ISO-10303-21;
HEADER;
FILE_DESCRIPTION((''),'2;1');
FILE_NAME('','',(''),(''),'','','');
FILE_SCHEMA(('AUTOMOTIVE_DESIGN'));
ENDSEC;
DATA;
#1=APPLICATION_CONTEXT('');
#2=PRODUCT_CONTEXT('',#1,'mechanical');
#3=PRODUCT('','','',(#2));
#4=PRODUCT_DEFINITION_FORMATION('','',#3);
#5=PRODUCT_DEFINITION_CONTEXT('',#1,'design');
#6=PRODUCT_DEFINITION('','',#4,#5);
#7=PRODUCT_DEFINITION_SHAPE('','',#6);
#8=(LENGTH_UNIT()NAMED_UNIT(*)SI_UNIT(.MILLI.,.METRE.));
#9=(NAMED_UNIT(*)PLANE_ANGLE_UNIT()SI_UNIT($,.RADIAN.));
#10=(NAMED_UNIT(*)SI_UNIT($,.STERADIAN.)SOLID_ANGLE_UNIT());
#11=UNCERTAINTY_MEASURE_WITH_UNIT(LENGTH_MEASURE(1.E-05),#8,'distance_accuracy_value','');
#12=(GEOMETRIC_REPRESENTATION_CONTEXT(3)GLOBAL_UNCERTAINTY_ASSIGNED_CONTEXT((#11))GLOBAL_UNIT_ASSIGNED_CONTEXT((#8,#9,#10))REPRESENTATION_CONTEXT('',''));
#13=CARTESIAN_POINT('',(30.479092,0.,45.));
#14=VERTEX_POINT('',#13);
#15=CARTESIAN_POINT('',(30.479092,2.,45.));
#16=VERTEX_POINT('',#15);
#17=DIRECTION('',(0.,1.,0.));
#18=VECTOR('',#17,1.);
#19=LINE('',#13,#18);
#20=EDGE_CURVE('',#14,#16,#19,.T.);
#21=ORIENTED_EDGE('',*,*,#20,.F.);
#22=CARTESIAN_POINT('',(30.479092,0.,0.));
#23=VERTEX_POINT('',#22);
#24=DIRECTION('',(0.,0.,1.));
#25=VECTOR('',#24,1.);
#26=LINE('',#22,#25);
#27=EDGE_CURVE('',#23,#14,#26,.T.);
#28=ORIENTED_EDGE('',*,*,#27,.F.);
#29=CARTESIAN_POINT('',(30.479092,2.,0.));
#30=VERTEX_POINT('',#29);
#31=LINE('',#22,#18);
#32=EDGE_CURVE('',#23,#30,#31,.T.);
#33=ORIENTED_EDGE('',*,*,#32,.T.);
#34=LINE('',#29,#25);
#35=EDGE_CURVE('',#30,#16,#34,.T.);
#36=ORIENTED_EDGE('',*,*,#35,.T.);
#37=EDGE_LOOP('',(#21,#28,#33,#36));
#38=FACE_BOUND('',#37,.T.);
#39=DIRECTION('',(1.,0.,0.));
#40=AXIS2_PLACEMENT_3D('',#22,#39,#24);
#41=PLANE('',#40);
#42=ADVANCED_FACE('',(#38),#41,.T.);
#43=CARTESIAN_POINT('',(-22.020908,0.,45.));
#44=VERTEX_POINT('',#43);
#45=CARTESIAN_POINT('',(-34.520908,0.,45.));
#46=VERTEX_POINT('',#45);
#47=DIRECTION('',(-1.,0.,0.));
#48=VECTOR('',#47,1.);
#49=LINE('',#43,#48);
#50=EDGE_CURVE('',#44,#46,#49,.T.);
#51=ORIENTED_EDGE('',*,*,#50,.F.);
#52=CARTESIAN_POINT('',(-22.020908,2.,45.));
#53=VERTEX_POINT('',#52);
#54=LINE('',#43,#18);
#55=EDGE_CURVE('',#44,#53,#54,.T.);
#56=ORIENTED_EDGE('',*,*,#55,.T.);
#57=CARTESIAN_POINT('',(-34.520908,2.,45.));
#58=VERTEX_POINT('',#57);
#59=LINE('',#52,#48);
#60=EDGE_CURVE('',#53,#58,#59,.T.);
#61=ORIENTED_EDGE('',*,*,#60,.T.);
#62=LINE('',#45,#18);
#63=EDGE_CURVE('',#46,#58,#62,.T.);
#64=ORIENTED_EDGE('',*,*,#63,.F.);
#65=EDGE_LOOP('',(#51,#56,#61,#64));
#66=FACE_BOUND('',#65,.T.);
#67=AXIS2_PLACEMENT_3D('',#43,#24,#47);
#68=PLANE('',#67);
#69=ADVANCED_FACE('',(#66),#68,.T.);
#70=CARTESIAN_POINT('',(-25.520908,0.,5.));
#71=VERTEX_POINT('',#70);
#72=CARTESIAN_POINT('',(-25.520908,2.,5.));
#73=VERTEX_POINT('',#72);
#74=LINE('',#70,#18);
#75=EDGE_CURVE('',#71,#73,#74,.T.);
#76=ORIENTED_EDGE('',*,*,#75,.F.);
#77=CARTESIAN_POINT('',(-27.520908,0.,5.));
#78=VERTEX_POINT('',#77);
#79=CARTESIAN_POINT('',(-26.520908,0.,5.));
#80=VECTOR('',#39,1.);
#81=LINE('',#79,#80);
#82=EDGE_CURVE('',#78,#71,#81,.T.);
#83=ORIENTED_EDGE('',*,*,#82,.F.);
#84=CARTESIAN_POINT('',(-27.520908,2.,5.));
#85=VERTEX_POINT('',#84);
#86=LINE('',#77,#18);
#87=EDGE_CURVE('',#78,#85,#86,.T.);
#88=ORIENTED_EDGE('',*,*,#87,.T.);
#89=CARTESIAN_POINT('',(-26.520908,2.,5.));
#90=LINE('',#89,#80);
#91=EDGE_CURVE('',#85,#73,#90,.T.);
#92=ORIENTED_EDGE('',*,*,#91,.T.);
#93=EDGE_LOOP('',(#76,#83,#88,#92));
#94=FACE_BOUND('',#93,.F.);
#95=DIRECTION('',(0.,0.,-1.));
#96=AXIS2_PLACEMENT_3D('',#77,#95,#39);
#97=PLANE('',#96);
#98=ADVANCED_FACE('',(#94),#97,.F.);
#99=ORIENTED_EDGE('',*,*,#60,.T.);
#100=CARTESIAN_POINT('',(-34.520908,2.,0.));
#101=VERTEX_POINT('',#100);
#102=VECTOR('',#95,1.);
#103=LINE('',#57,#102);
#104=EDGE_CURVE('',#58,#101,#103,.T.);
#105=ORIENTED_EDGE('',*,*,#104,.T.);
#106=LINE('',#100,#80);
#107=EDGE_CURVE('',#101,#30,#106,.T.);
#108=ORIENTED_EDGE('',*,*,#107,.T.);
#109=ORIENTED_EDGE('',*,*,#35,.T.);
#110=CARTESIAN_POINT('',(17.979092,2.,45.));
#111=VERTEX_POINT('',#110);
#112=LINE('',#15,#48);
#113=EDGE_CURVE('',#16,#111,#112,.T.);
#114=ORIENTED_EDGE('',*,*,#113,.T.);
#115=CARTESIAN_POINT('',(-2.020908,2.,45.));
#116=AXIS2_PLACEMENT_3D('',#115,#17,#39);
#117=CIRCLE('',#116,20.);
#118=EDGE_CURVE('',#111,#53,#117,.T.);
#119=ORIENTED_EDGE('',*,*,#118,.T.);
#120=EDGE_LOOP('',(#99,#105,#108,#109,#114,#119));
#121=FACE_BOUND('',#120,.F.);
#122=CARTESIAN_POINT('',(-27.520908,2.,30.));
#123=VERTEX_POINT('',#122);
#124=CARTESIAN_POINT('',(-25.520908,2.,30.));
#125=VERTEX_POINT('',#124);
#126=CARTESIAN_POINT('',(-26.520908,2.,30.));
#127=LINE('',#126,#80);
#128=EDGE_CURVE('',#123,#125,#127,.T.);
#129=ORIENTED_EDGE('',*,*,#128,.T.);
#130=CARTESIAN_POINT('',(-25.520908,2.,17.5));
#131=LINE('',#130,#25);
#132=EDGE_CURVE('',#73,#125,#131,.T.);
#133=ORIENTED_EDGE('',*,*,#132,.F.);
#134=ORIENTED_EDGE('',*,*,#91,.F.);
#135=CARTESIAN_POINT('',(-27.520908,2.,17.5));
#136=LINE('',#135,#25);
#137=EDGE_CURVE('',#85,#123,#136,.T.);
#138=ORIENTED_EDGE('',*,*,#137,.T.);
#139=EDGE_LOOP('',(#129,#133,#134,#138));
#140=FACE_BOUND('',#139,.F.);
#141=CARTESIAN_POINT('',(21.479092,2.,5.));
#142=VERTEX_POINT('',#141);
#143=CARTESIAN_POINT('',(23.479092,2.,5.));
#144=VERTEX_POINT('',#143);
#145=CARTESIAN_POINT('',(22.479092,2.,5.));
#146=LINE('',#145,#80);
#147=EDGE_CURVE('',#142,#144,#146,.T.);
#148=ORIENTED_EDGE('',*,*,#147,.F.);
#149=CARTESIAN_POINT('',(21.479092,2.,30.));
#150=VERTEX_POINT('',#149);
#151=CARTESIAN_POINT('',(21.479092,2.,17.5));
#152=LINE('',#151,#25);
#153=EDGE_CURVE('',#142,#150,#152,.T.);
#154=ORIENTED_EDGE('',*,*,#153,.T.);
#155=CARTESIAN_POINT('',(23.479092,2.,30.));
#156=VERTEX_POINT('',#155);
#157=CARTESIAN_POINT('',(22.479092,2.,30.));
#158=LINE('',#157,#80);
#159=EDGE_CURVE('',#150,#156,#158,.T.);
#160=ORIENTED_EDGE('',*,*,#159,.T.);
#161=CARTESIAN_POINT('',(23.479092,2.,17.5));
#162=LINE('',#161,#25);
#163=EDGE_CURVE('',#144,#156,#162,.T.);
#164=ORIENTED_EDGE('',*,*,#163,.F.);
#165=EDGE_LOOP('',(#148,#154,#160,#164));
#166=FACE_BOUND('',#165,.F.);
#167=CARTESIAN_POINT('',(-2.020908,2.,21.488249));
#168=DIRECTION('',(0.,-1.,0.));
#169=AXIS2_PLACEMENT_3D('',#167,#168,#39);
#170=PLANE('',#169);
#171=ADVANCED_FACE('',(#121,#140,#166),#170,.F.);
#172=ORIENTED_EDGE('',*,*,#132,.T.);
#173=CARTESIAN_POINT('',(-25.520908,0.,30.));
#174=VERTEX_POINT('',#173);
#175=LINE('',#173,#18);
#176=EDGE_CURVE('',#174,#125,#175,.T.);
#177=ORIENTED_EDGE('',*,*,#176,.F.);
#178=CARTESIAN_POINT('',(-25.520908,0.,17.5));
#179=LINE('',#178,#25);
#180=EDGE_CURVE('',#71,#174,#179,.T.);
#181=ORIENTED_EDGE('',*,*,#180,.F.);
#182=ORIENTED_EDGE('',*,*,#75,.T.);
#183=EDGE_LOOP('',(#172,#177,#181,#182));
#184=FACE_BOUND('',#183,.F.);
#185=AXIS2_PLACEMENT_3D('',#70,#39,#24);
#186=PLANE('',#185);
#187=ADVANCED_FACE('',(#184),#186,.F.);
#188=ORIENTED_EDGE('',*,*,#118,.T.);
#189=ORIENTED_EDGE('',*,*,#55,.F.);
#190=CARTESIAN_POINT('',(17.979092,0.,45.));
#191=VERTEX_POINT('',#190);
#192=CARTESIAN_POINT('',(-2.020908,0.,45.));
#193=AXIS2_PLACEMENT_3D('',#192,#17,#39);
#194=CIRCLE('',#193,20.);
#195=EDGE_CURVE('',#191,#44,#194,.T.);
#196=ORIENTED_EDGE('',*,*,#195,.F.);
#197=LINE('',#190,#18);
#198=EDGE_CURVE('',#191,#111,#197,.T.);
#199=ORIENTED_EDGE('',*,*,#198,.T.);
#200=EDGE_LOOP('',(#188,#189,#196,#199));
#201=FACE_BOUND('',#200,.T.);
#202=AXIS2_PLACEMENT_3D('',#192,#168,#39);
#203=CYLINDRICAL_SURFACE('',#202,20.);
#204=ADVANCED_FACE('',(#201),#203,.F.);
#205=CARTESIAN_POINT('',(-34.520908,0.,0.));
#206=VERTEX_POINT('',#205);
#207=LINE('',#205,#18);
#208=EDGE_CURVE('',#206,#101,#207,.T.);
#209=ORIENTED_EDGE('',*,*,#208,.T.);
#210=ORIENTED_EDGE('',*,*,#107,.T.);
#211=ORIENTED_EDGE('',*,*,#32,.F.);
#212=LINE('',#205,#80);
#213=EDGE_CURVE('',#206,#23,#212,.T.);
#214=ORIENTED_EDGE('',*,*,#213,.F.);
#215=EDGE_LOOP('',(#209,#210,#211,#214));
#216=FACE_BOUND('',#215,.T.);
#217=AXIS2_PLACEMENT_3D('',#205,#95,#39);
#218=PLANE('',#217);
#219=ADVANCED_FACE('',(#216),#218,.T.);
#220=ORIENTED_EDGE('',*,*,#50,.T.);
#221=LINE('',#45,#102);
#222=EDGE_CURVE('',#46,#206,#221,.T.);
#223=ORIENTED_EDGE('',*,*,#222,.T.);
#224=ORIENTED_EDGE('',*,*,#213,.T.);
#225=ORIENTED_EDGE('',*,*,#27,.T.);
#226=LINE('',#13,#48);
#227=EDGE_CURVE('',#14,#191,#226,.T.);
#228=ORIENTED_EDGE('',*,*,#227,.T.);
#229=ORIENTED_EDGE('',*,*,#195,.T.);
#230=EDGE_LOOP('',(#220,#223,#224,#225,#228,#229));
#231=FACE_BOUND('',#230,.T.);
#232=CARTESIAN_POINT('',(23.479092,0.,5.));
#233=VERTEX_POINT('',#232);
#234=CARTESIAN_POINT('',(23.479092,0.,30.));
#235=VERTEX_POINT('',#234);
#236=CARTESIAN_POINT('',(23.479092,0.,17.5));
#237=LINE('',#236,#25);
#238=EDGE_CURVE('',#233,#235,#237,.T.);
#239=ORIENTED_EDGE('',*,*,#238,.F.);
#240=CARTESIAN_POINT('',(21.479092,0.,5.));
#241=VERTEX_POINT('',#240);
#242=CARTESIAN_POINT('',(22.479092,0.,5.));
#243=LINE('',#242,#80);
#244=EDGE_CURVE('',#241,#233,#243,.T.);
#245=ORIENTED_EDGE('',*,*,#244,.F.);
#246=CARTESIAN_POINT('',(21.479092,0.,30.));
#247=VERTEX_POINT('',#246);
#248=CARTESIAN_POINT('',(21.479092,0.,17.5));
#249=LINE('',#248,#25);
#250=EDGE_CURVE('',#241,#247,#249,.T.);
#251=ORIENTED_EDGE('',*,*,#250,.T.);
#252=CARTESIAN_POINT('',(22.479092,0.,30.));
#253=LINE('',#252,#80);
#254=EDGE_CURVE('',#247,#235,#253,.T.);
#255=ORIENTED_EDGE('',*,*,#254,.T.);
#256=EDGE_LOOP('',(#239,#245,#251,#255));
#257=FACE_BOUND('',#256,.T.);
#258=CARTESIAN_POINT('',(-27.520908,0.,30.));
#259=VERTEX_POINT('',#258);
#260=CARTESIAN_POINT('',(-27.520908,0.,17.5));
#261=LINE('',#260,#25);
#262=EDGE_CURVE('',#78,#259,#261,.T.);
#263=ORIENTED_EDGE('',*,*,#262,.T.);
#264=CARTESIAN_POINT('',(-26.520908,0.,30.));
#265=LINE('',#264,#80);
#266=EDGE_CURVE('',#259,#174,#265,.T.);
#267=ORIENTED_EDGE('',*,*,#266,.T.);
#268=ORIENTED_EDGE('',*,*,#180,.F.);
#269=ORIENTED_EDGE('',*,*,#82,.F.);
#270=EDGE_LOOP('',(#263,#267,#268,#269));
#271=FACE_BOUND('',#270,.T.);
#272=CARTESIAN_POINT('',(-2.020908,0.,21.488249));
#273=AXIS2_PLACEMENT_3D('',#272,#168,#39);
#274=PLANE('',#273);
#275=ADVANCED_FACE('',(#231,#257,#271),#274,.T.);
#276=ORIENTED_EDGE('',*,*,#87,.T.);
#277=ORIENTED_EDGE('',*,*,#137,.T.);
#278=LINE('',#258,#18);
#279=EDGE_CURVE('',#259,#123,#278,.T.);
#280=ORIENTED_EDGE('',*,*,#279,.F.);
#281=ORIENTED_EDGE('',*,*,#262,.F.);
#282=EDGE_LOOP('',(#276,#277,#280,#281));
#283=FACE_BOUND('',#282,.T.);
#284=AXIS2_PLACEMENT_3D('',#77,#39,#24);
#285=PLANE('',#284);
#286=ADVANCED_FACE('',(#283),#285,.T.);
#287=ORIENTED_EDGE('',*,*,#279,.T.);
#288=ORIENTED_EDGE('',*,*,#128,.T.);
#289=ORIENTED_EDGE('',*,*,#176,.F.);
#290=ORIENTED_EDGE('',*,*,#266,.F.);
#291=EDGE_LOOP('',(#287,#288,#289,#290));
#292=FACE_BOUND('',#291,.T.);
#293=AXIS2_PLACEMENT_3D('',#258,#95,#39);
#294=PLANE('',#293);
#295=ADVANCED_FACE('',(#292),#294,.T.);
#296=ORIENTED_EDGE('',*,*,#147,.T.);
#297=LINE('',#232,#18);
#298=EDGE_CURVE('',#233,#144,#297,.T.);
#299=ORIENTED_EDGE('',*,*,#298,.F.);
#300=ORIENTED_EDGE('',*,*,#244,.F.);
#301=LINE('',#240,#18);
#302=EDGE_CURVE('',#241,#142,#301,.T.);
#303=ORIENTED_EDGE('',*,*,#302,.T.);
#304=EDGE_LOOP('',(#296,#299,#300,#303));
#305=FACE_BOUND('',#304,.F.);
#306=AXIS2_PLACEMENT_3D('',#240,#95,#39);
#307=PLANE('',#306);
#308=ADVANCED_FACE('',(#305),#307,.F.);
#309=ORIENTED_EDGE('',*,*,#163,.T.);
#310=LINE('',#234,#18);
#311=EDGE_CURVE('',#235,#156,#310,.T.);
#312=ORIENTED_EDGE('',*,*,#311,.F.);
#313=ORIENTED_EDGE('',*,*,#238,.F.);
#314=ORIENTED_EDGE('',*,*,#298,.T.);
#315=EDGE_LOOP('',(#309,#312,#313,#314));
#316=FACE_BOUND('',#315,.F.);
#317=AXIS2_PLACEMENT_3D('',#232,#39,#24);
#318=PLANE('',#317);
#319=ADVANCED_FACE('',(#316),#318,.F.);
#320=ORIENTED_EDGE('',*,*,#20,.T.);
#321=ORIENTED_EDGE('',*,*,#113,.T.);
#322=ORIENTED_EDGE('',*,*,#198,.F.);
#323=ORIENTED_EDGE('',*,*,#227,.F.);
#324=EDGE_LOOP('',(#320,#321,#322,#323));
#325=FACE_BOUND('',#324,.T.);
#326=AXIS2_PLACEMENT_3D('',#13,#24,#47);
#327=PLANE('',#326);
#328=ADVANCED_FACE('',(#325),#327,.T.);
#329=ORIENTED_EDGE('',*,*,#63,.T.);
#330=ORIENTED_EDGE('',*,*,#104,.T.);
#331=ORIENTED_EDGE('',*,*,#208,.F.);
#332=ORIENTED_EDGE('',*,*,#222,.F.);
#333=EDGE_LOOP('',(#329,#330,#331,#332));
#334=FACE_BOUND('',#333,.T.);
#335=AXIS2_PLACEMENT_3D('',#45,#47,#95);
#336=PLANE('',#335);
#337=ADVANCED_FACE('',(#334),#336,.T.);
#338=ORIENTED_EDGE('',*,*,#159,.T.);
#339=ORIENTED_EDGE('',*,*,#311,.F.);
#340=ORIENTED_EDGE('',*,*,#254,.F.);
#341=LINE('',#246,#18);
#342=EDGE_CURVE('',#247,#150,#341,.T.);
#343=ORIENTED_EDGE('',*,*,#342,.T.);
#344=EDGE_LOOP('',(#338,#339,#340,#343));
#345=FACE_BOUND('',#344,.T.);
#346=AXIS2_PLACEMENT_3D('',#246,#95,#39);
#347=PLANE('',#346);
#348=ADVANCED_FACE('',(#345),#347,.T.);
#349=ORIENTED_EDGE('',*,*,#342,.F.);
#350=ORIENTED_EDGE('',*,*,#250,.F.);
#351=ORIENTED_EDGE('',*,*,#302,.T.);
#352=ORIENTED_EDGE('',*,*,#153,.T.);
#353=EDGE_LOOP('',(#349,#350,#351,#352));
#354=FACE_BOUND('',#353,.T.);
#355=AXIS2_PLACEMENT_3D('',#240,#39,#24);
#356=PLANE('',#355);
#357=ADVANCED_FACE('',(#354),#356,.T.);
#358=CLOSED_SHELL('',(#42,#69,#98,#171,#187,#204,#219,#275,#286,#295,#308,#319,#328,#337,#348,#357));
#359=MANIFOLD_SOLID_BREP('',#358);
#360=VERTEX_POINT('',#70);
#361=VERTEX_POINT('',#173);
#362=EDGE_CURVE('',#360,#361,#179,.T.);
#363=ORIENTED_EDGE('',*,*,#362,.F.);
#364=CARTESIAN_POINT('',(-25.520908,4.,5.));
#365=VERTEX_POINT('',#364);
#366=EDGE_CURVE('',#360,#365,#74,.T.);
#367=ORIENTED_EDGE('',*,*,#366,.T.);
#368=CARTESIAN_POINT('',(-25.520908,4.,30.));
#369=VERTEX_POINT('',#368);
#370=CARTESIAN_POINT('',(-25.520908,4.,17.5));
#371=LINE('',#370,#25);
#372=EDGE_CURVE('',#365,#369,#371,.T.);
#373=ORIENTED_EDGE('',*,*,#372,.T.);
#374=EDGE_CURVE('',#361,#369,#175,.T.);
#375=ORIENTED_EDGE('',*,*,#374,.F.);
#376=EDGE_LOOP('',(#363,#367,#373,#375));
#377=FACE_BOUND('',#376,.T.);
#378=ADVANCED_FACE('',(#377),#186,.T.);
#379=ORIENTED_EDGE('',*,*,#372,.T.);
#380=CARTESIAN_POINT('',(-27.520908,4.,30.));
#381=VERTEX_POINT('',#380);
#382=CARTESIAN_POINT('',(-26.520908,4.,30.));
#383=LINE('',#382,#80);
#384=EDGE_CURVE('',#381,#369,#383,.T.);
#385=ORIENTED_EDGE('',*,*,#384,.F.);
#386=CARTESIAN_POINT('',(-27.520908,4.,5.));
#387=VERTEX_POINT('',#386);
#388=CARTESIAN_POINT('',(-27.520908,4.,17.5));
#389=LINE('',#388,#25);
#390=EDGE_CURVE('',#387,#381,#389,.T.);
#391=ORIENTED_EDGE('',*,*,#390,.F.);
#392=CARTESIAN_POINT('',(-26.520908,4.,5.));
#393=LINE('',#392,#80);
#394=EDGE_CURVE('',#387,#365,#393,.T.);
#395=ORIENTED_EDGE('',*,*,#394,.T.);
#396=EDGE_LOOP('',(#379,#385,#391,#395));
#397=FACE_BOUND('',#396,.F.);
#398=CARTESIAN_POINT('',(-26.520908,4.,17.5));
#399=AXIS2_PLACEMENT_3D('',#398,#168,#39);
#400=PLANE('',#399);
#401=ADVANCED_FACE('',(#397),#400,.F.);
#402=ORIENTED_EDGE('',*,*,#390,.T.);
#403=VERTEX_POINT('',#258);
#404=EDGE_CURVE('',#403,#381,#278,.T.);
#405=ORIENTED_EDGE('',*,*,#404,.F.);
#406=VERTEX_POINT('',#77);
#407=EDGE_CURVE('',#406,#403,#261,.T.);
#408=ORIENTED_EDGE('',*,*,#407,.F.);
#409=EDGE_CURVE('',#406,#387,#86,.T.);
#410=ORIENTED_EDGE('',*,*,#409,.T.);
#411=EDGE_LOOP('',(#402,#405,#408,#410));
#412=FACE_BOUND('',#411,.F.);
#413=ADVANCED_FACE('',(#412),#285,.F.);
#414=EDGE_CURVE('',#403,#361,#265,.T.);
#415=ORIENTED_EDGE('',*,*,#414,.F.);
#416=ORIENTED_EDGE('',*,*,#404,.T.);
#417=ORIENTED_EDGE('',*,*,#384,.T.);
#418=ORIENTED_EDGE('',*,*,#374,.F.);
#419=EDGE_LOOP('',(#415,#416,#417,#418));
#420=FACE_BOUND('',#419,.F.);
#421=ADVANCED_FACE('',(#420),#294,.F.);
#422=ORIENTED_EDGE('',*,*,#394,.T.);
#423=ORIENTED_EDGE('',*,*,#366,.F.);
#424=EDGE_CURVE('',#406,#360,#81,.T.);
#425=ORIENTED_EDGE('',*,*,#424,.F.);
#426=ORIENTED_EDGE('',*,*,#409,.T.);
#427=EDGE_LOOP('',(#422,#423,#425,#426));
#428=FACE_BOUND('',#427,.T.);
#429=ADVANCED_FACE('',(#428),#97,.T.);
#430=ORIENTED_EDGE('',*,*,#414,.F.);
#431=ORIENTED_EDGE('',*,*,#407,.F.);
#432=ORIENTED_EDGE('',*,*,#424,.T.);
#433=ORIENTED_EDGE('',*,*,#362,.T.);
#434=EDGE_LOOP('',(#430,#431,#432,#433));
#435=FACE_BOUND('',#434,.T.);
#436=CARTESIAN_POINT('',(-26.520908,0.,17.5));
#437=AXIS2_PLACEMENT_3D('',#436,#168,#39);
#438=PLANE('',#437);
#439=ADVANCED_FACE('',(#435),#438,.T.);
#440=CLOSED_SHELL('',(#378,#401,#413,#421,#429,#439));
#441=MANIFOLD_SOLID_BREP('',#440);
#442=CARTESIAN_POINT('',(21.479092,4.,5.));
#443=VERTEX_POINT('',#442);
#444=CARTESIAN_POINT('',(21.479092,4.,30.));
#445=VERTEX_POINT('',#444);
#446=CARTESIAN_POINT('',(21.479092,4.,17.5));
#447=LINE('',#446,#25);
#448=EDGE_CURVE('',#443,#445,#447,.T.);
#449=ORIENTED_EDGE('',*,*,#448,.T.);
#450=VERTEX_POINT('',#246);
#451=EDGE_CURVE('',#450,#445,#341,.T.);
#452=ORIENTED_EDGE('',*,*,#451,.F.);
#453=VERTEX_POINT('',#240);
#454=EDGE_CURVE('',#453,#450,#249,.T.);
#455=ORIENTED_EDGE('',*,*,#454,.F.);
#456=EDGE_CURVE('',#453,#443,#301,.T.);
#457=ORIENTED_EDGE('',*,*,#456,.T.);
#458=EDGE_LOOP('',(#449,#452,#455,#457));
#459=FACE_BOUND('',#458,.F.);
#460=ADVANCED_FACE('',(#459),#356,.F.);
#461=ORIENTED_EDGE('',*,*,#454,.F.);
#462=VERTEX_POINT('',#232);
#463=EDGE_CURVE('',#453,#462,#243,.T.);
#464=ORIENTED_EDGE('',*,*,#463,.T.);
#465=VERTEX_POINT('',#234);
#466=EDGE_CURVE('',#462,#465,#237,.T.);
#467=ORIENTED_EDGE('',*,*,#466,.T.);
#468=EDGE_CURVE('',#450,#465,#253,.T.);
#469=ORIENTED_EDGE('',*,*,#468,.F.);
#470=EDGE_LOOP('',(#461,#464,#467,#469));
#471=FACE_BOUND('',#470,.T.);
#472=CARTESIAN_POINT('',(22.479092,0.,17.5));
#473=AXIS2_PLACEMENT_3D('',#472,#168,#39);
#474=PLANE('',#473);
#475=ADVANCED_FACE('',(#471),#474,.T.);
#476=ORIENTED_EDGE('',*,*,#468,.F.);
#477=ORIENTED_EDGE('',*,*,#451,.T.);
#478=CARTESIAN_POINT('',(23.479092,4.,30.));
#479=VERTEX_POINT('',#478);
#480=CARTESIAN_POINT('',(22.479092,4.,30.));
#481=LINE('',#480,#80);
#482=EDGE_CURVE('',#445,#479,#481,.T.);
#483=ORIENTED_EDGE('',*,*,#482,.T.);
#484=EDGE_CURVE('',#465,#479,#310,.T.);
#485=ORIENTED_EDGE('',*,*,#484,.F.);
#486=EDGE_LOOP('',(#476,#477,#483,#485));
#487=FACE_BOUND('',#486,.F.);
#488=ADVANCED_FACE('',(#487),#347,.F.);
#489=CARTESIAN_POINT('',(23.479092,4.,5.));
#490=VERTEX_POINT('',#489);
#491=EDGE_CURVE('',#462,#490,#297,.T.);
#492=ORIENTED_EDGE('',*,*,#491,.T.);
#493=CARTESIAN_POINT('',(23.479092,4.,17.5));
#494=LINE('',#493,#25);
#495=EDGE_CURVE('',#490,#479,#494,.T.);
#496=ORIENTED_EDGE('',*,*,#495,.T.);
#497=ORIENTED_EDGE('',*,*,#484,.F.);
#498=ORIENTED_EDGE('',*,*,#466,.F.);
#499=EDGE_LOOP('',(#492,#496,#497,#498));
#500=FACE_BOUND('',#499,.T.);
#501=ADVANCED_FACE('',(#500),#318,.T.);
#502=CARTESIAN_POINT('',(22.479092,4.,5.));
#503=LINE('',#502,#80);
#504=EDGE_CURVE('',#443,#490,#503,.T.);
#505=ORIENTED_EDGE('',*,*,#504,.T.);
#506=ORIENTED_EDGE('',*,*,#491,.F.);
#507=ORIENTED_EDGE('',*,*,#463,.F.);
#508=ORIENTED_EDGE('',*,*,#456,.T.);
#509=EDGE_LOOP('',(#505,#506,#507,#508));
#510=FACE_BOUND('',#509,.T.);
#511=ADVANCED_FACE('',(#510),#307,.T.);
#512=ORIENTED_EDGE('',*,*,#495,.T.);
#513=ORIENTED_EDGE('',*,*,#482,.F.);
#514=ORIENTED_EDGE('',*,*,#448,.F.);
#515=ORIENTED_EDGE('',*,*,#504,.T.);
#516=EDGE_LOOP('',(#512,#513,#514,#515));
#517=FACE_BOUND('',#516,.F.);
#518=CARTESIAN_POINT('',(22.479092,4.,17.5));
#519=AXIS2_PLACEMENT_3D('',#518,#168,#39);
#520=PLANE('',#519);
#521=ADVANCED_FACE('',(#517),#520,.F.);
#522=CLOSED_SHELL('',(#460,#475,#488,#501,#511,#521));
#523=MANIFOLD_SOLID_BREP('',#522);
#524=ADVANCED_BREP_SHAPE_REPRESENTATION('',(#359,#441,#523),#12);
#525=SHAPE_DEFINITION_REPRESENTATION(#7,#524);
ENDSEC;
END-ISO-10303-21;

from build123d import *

# Parameters (mm, degrees)
F0_W     = 2
F0_H     = 25
F1_DEPTH = 4
F2_DEPTH = 2


with BuildPart() as f1:
    # F0 (on Front) → F1 (new body)
    with BuildSketch(Plane.XZ):
        with Locations((-26.520908, 17.5)):
            Rectangle(F0_W, F0_H)
        with Locations((22.479092, 17.5)):
            Rectangle(F0_W, F0_H)
    extrude(amount=-F1_DEPTH)


with BuildPart() as f2:
    # F0 (on Front) → F2 (new body)
    with BuildSketch(Plane.XZ):
        with BuildLine():
            Line((-34.520908, 45), (-34.520908, 0))
            Line((-34.520908, 0), (30.479092, 0))
            Line((30.479092, 0), (30.479092, 45))
            Line((30.479092, 45), (17.979092, 45))
            ThreePointArc((17.979092, 45), (-2.020908, 25), (-22.020908, 45))
            Line((-22.020908, 45), (-34.520908, 45))
        make_face()
        with Locations((-26.520908, 17.5)):
            Rectangle(F0_W, F0_H, mode=Mode.SUBTRACT)
        with Locations((22.479092, 17.5)):
            Rectangle(F0_W, F0_H, mode=Mode.SUBTRACT)
    extrude(amount=-F2_DEPTH)


solid = Compound([f1.part, f2.part])
